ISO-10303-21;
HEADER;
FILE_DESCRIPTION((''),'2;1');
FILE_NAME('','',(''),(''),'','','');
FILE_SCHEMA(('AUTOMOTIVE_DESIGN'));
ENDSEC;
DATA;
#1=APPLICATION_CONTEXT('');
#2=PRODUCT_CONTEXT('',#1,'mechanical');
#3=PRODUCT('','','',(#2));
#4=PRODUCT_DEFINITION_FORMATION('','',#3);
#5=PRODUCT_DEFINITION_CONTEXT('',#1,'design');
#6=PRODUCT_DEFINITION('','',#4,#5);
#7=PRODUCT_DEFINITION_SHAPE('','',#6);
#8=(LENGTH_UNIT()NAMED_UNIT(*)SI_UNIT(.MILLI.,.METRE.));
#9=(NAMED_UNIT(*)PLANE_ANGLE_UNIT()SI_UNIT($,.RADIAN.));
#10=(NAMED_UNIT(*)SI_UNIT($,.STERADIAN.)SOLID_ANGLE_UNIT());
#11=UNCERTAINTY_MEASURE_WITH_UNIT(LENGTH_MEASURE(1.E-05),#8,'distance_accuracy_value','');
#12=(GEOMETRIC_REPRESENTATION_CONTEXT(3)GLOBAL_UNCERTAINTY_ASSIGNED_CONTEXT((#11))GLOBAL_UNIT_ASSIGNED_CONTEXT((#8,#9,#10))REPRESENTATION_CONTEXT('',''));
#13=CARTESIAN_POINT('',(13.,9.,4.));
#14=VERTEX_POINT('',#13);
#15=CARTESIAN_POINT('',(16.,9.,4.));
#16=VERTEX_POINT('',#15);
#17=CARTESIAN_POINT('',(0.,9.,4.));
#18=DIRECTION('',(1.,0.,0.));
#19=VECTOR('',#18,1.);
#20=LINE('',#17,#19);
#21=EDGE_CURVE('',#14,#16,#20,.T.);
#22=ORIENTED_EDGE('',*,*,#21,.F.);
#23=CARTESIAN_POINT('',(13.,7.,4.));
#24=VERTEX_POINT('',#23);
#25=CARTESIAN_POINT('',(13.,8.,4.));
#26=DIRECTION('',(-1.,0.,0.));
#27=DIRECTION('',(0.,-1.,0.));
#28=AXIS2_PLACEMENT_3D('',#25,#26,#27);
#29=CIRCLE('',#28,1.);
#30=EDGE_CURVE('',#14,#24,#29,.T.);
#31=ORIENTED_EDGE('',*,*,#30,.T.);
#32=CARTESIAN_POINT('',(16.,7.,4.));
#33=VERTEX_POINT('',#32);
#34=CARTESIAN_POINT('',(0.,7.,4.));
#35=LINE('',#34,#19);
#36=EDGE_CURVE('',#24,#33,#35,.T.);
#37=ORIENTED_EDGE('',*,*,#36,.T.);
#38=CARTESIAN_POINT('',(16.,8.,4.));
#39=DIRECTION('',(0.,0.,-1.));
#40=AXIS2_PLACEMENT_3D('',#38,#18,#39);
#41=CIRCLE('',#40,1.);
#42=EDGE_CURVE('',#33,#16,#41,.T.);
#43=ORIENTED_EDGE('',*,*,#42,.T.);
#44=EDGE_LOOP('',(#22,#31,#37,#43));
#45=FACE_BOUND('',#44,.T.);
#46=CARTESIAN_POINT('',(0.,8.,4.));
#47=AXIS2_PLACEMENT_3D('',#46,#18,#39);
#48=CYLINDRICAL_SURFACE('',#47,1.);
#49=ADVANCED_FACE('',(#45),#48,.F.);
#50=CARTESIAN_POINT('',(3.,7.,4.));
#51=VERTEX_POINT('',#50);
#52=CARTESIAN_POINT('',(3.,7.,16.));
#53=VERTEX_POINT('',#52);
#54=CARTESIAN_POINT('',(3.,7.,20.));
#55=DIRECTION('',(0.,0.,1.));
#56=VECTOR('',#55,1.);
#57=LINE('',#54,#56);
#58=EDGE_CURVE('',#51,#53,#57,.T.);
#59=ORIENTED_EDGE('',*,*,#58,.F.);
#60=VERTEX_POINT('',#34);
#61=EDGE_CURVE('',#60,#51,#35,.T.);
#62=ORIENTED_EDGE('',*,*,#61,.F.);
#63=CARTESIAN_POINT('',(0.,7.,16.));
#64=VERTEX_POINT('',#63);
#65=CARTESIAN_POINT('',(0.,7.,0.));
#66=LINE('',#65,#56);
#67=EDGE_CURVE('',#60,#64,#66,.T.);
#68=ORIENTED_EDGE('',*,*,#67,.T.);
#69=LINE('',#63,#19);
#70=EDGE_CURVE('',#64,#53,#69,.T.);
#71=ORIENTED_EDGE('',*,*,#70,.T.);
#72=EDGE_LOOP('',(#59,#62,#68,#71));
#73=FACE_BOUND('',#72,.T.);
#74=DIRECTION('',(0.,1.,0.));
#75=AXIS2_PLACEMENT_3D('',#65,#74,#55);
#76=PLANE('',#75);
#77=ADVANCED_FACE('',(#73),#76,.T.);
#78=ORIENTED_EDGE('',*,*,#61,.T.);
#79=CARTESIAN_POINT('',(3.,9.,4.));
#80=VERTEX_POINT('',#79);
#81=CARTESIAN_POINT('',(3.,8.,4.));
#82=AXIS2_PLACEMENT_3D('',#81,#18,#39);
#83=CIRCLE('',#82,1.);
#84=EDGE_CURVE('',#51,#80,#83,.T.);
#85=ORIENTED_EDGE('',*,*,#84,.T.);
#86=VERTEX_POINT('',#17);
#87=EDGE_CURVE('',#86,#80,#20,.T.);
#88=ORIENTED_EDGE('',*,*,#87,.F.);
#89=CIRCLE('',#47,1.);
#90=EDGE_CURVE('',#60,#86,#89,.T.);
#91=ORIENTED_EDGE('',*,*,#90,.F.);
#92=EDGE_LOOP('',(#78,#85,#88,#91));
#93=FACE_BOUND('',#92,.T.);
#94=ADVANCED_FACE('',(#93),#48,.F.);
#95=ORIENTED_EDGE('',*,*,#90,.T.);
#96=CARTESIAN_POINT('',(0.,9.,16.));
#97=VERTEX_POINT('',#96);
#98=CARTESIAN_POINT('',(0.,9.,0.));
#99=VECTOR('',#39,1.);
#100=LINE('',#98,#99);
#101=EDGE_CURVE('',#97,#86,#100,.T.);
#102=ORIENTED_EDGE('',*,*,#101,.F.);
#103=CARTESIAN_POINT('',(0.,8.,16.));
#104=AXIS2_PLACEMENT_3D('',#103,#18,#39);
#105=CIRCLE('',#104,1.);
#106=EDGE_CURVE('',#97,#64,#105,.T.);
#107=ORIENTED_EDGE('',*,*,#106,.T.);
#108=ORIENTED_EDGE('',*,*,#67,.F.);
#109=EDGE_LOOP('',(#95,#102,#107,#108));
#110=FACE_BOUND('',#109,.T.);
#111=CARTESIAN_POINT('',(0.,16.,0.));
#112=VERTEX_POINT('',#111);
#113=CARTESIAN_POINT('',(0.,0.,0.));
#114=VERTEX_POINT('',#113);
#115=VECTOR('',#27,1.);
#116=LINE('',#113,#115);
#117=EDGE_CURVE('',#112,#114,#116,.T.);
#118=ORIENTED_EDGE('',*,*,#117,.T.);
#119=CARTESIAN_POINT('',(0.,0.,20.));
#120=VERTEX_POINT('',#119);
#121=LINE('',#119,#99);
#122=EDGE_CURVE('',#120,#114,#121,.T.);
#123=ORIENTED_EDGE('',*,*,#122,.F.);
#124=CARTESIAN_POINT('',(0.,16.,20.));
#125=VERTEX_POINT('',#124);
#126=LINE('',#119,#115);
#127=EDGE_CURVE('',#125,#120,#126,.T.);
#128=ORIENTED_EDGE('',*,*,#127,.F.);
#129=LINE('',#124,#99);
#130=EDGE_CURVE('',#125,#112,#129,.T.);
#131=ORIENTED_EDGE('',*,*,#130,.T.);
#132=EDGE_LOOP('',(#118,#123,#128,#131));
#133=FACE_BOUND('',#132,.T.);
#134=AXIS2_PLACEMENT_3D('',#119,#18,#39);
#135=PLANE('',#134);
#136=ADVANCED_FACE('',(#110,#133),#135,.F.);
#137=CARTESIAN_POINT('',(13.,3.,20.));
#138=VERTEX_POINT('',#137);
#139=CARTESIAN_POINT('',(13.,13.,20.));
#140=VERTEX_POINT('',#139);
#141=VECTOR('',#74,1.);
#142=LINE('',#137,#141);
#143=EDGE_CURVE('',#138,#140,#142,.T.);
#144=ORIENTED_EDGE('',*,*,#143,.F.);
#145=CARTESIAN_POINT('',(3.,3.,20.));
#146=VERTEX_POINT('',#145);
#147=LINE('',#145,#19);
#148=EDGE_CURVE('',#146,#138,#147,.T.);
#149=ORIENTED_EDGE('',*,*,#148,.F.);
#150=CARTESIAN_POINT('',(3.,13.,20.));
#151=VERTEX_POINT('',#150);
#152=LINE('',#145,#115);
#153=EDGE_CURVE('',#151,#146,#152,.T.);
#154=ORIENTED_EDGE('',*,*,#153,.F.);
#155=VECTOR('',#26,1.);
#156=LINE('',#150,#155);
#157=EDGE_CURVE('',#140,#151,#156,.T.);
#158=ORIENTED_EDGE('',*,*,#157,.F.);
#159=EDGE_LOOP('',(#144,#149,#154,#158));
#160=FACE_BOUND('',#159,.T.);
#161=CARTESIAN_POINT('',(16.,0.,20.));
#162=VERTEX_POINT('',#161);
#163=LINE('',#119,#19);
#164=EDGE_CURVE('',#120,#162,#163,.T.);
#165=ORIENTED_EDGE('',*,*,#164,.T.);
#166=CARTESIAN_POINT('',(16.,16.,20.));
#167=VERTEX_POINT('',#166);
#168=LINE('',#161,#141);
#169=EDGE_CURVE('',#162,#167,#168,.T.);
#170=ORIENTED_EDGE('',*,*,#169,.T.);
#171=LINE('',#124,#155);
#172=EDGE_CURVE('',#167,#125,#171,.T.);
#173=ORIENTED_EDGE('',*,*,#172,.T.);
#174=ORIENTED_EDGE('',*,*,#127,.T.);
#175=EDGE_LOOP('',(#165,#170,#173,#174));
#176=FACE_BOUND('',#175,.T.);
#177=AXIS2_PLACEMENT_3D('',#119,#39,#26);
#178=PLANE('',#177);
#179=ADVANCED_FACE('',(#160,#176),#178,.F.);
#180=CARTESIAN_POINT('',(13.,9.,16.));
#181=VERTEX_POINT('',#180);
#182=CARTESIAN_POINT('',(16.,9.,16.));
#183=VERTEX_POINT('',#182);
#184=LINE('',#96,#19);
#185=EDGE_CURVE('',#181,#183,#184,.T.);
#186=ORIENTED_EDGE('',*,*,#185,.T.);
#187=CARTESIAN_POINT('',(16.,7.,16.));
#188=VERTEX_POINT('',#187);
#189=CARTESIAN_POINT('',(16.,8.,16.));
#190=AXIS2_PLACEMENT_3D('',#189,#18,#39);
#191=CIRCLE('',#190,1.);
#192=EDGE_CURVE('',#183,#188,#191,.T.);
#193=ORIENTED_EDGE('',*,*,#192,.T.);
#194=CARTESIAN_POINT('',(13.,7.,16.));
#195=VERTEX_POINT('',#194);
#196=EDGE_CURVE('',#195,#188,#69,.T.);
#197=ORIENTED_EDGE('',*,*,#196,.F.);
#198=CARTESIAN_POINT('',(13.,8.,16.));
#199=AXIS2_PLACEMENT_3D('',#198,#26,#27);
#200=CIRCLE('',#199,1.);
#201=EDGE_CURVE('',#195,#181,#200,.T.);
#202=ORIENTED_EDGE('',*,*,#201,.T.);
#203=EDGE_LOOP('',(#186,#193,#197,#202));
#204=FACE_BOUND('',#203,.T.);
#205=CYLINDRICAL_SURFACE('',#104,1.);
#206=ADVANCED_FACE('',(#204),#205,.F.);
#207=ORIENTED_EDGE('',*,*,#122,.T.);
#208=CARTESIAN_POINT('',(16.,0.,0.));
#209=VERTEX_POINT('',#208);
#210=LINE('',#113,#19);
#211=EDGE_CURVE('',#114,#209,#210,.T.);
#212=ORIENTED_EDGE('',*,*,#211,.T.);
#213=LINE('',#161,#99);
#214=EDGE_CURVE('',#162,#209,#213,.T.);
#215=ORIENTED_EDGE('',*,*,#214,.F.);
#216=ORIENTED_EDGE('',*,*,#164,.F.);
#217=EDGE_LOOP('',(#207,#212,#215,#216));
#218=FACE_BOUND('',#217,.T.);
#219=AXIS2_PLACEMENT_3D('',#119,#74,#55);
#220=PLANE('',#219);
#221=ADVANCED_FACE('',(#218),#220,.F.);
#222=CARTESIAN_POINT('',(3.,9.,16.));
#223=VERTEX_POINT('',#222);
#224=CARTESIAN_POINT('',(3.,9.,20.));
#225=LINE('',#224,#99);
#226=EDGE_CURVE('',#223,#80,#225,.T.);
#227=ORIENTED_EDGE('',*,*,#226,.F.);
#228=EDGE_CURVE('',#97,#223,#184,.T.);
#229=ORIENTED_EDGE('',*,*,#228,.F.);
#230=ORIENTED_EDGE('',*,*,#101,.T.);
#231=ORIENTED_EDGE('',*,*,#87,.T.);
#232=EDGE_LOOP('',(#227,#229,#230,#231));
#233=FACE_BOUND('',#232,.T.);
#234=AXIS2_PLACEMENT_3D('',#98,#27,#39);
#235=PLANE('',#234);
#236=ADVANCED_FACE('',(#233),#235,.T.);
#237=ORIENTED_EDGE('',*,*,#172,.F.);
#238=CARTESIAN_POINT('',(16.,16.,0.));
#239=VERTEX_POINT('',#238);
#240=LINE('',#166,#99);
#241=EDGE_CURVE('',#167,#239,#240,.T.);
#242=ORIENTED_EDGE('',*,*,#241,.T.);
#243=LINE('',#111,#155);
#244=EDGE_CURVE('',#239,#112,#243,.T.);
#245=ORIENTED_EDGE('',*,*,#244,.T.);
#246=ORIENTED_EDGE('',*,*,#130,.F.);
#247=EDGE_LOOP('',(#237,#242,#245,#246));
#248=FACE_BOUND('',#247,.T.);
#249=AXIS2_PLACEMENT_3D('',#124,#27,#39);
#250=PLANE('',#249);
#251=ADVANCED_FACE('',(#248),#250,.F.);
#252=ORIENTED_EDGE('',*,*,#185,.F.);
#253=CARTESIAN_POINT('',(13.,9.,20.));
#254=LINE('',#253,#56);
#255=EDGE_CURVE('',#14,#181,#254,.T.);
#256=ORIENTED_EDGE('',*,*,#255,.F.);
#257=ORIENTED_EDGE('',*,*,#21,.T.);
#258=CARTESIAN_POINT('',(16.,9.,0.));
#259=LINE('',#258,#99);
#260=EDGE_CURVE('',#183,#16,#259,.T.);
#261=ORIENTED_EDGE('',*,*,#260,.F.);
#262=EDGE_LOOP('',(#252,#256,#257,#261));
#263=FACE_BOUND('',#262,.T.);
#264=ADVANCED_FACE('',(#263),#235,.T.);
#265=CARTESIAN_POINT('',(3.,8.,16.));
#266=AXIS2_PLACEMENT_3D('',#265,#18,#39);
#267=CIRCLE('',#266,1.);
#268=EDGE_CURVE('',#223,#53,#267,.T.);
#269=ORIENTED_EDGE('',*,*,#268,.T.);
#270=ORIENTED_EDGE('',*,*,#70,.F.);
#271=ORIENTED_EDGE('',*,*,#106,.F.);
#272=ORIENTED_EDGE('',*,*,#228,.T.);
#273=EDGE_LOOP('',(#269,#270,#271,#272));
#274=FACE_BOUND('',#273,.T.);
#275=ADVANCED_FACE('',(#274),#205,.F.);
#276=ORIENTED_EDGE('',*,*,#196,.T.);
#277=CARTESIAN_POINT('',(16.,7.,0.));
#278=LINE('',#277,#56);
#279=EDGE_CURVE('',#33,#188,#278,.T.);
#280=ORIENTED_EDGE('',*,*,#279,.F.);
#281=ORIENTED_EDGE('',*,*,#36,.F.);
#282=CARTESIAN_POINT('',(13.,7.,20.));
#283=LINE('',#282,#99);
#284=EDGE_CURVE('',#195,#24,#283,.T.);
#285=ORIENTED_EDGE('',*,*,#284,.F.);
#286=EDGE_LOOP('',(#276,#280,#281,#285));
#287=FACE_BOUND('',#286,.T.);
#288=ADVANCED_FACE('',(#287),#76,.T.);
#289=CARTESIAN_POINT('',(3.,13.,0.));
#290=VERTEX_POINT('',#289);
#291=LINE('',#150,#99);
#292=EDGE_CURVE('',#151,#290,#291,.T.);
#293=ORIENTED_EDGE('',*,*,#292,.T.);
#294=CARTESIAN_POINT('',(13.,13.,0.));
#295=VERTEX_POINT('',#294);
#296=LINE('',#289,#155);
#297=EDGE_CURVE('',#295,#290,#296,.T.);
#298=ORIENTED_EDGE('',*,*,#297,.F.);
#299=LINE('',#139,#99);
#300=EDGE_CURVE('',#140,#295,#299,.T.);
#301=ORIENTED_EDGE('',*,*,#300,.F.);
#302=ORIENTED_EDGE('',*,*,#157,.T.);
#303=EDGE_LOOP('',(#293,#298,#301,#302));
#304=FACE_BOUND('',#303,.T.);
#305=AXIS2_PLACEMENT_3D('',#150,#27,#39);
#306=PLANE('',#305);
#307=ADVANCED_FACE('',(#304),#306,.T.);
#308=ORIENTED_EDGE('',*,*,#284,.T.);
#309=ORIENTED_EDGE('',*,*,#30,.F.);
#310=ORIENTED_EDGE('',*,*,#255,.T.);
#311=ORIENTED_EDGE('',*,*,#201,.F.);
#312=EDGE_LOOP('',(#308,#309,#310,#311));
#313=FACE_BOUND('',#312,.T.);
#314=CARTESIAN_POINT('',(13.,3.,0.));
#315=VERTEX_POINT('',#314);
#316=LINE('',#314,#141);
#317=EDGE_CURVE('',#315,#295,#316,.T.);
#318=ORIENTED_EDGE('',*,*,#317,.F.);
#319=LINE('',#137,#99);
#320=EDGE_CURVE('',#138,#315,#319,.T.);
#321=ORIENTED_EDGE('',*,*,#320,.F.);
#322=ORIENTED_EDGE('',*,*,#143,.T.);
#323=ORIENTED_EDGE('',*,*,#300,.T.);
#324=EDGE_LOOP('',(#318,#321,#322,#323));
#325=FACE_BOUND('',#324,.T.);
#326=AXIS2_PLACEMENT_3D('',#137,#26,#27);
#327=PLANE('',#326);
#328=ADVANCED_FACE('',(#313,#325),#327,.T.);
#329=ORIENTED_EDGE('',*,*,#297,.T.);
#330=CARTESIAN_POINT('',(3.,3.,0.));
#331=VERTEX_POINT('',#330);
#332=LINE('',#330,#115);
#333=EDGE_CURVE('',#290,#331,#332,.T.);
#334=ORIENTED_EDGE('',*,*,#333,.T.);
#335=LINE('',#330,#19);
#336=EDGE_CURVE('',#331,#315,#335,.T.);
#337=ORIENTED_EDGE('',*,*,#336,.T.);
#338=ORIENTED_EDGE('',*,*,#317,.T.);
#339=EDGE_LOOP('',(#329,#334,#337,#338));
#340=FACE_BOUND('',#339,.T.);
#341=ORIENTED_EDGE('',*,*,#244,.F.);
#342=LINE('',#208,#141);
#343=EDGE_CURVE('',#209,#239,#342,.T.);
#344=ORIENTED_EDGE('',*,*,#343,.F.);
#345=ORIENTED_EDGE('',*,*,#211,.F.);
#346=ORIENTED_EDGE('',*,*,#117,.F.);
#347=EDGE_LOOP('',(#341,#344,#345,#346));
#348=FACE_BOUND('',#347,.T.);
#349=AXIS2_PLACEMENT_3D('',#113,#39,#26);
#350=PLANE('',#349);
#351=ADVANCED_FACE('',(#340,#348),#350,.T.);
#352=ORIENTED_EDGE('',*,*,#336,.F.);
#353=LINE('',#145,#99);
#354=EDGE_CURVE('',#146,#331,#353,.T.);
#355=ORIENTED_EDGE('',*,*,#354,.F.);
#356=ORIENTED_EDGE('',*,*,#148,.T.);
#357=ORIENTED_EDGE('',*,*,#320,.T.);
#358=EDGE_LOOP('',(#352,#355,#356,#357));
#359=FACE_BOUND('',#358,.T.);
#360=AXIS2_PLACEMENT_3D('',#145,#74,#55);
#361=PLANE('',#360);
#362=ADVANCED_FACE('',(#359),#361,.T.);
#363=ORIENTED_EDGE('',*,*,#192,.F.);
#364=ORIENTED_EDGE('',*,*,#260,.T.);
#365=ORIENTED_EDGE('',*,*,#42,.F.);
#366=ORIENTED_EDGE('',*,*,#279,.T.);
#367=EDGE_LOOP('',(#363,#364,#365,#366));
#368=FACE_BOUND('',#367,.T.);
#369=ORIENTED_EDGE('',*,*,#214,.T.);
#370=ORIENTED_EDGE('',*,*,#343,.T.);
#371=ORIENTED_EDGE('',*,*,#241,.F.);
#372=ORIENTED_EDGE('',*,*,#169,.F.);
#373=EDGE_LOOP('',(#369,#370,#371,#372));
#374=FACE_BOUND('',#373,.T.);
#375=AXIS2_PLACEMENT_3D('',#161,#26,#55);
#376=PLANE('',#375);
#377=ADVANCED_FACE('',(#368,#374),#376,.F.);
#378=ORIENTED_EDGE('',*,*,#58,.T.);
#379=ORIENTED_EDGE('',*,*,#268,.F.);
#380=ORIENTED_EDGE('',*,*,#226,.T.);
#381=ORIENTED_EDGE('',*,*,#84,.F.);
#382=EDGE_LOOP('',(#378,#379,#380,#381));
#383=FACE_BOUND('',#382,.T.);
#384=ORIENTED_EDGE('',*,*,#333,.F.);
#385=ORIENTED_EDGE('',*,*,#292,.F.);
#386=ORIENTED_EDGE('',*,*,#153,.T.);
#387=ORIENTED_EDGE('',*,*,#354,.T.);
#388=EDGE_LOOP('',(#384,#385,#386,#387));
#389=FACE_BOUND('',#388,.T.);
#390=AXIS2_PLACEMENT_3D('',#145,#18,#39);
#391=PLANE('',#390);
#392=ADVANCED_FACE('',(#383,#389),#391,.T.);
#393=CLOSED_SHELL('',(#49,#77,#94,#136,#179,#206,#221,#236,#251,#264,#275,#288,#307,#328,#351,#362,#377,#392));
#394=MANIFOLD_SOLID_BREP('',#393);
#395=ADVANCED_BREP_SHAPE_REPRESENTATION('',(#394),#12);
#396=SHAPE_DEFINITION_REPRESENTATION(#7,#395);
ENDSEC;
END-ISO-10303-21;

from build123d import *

# Parameters (mm, degrees)
SKETCH_1_W          = 16
SKETCH_1_H          = 16
SKETCH_1_W_2        = 10
SKETCH_1_H_2        = 10
EXTRUDE_1_DEPTH     = 20
CUT_EXTRUDE_1_DEPTH = 16


with BuildPart() as part:
    # 草图1 → 凸台-拉伸1 (new body)
    with BuildSketch(Plane.XY):
        with Locations((8, 8)):
            Rectangle(SKETCH_1_W, SKETCH_1_H)
        with Locations((8, 8)):
            Rectangle(SKETCH_1_W_2, SKETCH_1_H_2, mode=Mode.SUBTRACT)
    extrude(amount=EXTRUDE_1_DEPTH)

    # 草图2 → 切除-拉伸1 (cut)
    with BuildSketch(Plane(origin=(16, 0, 0), x_dir=(0, 0, -1), z_dir=(1, 0, 0))):
        with BuildLine():
            Line((-4, 9), (-16, 9))
            ThreePointArc((-16, 9), (-15.292893219, 8.707106781), (-15, 8))
            ThreePointArc((-15, 8), (-15.292893219, 7.292893219), (-16, 7))
            Line((-16, 7), (-4, 7))
            ThreePointArc((-4, 7), (-5, 8), (-4, 9))
        make_face()
        with BuildLine():
            ThreePointArc((-3, 8), (-3.292893219, 8.707106781), (-4, 9))
            Line((-4, 9), (-4, 7))
            ThreePointArc((-4, 7), (-3.292893219, 7.292893219), (-3, 8))
        make_face()
        with BuildLine():
            Line((-4, 7), (-4, 9))
            ThreePointArc((-4, 9), (-5, 8), (-4, 7))
        make_face()
        with BuildLine():
            ThreePointArc((-15, 8), (-15.292893219, 8.707106781), (-16, 9))
            Line((-16, 9), (-16, 7))
            ThreePointArc((-16, 7), (-15.292893219, 7.292893219), (-15, 8))
        make_face()
        with BuildLine():
            Line((-16, 7), (-16, 9))
            ThreePointArc((-16, 9), (-17, 8), (-16, 7))
        make_face()
    extrude(amount=-CUT_EXTRUDE_1_DEPTH, mode=Mode.SUBTRACT)


solid = part.part
